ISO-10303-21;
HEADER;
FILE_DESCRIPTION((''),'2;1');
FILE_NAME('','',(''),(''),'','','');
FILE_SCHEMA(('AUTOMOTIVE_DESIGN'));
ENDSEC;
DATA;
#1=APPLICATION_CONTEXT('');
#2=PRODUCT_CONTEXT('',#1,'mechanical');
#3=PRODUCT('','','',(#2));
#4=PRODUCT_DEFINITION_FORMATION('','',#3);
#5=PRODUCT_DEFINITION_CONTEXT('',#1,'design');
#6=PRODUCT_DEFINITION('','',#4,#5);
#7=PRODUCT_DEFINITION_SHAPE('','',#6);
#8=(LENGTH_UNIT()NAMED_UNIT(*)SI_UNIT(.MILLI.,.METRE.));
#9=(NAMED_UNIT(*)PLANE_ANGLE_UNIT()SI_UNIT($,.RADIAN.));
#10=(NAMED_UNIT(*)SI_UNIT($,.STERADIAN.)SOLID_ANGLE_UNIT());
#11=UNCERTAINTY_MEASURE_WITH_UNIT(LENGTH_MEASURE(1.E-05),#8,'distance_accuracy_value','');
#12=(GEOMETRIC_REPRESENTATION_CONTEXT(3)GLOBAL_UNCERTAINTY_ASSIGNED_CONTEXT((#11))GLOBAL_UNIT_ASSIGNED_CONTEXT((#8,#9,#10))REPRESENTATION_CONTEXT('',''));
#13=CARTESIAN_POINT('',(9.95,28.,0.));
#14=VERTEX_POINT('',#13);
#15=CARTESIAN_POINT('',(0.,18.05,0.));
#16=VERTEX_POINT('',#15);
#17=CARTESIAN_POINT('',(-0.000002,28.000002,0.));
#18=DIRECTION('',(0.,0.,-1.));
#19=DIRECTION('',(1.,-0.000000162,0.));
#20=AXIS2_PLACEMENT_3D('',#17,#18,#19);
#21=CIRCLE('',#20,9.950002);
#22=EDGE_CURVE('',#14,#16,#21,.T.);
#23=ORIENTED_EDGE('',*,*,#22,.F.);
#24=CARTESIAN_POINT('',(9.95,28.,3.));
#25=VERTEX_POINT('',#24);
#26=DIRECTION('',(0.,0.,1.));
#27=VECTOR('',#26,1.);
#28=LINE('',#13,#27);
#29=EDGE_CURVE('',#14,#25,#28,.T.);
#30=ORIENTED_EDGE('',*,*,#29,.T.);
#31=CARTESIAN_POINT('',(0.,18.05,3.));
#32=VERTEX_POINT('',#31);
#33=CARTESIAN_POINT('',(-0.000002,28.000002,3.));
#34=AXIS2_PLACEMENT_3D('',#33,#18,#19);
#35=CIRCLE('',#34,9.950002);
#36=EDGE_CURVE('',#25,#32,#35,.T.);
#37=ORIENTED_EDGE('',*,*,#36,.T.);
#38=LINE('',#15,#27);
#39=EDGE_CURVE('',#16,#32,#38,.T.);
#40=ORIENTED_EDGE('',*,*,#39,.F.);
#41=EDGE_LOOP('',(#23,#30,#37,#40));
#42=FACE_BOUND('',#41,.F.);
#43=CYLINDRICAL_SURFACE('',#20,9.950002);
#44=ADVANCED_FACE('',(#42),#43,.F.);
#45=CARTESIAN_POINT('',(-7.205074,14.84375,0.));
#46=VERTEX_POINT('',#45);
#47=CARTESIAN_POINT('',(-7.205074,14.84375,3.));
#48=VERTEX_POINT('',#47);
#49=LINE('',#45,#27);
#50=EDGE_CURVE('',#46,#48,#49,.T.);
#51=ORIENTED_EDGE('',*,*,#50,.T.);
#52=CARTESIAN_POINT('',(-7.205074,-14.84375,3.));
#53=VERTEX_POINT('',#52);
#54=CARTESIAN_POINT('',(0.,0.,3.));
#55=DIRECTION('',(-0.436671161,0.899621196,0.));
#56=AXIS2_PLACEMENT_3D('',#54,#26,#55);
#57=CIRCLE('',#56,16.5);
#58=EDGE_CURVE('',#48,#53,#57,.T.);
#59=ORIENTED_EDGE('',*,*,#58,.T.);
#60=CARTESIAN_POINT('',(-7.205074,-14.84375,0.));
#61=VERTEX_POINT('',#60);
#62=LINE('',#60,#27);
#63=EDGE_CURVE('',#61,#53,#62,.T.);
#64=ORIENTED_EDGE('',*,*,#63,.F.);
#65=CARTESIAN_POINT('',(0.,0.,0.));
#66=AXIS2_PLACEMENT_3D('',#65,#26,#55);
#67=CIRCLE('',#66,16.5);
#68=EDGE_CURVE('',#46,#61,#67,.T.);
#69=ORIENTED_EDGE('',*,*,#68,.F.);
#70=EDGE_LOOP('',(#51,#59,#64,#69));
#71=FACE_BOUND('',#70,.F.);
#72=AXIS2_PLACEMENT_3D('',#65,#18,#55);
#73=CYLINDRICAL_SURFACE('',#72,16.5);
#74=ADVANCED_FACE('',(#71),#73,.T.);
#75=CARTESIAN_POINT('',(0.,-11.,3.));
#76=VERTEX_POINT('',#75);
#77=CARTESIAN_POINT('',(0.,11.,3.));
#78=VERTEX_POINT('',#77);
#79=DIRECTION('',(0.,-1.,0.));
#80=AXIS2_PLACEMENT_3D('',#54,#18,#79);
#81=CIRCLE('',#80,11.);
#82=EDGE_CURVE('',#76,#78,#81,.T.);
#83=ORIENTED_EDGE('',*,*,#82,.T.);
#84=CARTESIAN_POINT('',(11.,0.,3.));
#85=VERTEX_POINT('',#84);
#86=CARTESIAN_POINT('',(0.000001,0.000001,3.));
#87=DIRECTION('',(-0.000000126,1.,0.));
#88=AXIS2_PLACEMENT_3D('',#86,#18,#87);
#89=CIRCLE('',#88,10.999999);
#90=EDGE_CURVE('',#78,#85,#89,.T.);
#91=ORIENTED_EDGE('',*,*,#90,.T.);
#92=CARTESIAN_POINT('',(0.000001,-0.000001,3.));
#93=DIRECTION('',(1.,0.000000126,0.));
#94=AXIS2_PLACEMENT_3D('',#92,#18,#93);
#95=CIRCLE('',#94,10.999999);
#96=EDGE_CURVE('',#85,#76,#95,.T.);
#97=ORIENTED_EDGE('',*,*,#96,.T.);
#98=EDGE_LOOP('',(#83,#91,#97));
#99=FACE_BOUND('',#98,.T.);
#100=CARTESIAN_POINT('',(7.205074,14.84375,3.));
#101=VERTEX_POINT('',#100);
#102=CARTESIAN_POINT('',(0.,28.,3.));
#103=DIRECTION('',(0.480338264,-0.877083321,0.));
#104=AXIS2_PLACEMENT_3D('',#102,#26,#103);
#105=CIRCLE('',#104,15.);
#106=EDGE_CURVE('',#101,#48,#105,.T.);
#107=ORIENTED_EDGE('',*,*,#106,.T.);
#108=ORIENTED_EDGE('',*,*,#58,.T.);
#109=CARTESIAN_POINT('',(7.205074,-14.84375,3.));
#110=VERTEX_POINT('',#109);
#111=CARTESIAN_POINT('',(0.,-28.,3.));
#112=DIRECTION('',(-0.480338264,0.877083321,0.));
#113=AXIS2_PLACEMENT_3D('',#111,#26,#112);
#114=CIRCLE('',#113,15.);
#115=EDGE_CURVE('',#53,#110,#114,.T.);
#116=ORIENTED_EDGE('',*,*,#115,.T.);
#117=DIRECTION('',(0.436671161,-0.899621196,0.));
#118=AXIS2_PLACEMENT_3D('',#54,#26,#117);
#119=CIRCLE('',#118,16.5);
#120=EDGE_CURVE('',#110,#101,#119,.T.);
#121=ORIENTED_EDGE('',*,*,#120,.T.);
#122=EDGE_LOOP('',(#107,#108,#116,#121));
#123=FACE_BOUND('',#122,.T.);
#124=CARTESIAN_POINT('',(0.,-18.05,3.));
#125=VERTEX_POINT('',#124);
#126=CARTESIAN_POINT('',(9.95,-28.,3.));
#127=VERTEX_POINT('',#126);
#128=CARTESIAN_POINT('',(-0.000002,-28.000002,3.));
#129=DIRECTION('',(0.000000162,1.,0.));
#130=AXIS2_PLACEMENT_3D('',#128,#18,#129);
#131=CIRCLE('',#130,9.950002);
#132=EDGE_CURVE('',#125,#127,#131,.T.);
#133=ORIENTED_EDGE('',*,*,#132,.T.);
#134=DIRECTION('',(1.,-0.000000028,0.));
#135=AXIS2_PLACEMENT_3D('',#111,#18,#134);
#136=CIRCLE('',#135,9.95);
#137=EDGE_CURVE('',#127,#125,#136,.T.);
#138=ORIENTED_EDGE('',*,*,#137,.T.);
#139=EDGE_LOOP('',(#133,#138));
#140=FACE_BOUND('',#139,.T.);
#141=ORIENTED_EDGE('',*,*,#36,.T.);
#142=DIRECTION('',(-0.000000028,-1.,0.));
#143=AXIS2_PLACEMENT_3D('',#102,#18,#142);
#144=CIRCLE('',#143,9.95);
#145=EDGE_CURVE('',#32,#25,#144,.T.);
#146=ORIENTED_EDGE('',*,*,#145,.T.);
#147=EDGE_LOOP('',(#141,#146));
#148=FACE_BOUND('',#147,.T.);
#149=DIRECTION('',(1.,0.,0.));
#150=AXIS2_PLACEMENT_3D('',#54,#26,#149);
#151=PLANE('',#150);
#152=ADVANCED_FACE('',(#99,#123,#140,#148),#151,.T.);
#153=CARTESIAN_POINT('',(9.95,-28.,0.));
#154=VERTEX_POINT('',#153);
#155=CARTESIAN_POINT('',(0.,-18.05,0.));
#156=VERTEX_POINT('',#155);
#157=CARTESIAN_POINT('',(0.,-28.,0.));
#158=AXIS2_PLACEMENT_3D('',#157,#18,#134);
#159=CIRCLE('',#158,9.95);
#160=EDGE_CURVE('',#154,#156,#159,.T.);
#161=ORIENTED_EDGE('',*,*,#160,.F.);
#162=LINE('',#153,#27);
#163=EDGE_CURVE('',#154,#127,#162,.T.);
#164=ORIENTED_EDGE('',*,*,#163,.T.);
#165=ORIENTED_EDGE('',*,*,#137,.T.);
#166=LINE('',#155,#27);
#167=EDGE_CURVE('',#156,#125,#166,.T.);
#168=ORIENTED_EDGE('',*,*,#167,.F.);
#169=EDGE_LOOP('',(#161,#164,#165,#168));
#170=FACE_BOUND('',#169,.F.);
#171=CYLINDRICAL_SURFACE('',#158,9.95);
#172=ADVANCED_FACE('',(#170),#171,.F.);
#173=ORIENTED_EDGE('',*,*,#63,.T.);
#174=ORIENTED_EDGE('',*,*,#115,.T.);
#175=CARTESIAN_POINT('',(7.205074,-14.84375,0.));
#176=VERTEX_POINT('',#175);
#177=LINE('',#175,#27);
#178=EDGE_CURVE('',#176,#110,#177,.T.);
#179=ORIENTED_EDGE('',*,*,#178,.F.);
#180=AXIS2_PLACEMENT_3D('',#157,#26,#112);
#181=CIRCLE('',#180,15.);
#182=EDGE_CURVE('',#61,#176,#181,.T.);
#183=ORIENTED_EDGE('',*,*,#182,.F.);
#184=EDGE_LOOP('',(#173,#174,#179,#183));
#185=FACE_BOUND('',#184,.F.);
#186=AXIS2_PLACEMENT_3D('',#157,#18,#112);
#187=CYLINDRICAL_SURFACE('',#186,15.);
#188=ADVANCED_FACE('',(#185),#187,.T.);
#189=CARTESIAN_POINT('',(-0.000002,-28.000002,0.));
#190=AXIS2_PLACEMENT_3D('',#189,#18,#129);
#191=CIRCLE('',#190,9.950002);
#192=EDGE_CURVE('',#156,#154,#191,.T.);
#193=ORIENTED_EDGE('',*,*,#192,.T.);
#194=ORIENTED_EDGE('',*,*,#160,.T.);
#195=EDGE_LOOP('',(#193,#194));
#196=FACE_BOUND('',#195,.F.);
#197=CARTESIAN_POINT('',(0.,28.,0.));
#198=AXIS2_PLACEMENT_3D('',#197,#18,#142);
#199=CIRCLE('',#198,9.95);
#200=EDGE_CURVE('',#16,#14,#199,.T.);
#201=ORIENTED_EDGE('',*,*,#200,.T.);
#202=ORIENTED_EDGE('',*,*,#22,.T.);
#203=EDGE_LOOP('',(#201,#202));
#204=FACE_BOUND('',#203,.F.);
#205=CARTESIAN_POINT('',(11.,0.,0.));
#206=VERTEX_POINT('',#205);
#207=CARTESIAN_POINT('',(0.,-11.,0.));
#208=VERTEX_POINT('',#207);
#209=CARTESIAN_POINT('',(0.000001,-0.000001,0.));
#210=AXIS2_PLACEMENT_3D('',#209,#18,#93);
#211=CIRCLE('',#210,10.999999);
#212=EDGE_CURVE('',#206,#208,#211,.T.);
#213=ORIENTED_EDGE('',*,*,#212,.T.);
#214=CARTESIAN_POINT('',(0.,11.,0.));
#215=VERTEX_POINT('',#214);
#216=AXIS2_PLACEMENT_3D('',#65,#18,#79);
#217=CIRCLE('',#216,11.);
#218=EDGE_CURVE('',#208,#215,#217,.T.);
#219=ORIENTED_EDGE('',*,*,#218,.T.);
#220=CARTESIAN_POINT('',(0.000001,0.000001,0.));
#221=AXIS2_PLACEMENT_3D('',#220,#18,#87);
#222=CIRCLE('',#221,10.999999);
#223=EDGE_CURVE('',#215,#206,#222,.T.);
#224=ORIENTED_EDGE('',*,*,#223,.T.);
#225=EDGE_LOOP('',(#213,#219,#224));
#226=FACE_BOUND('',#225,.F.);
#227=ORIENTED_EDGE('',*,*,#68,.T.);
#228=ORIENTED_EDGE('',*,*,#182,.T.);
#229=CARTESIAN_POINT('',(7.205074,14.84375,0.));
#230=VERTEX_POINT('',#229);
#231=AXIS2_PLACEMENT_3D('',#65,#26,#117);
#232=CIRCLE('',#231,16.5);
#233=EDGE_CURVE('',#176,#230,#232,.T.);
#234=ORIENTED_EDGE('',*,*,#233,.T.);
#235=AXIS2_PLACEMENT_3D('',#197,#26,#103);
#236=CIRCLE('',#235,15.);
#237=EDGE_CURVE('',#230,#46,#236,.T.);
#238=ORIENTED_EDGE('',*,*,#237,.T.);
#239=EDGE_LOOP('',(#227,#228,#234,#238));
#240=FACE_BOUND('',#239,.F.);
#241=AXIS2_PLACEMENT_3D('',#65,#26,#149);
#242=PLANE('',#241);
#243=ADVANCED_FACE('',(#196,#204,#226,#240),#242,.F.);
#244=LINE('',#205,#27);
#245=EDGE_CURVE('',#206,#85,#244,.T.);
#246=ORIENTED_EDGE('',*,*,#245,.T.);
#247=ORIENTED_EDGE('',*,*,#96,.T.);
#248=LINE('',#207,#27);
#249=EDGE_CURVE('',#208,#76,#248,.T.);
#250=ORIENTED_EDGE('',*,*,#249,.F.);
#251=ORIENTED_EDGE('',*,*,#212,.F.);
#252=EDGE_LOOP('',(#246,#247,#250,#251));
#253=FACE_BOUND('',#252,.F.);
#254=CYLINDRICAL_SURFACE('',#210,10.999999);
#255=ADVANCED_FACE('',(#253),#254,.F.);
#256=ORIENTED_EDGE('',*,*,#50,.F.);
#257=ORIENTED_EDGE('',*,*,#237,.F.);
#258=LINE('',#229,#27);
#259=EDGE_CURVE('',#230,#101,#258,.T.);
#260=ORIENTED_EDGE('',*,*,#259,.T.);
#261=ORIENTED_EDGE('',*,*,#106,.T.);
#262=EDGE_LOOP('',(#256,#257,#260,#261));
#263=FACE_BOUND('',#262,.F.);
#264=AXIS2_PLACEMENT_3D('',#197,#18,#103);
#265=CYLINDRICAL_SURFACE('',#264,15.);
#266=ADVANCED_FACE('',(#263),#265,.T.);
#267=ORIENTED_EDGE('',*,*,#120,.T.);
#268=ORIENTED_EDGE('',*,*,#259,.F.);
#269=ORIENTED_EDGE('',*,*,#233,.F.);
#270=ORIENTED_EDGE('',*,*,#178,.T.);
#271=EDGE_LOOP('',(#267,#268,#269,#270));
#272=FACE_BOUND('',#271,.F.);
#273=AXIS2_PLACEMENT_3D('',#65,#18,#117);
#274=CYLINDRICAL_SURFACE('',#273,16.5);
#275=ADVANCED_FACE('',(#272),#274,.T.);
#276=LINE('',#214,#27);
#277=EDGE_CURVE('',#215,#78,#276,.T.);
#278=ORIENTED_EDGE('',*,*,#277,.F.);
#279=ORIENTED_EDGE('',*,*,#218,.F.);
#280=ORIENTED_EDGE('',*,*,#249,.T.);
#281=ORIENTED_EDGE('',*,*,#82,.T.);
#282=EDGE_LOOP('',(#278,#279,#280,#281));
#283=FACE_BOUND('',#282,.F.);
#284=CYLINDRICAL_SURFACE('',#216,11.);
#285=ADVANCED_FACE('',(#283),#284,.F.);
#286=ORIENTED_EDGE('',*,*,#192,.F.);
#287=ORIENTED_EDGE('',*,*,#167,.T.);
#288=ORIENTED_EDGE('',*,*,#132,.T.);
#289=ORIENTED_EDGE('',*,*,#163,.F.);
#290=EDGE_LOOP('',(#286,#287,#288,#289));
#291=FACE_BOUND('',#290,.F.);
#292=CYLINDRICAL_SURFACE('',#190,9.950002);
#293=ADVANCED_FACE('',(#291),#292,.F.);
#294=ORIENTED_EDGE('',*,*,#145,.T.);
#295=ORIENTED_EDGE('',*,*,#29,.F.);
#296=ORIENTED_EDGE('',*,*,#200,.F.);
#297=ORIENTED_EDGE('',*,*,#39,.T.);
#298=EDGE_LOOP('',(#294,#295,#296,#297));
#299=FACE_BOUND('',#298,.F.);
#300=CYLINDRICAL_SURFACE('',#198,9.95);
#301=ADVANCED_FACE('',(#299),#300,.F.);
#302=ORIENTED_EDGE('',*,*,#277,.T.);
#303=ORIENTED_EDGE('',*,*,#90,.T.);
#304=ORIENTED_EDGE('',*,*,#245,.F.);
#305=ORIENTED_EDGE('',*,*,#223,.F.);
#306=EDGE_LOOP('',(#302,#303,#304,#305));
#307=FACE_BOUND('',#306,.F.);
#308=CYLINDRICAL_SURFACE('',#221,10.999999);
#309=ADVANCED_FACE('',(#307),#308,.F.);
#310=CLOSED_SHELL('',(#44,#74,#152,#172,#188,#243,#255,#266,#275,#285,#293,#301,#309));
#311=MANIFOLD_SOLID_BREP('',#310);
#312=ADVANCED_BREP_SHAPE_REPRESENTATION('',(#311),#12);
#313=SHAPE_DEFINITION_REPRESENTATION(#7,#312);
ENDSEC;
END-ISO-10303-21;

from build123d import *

# Parameters (mm, degrees)
F1_DEPTH = 3


with BuildPart() as f1:
    # F0 (on Top) → F1 (new body)
    with BuildSketch(Plane.XY):
        with BuildLine():
            ThreePointArc((7.205074, 14.84375), (0, 43), (-7.205074, 14.84375))
            ThreePointArc((-7.205074, 14.84375), (-16.5, 0), (-7.205074, -14.84375))
            ThreePointArc((-7.205074, -14.84375), (0, -43), (7.205074, -14.84375))
            ThreePointArc((7.205074, -14.84375), (16.5, 0), (7.205074, 14.84375))
        make_face()
        with BuildLine():
            ThreePointArc((9.95, -28), (-7.035712, -35.035712), (0, -18.05))
            ThreePointArc((0, -18.05), (7.035712, -20.964288), (9.95, -28))
        make_face(mode=Mode.SUBTRACT)
        with BuildLine():
            ThreePointArc((0, 11), (7.778175, 7.778175), (11, 0))
            ThreePointArc((11, 0), (7.778175, -7.778175), (0, -11))
            ThreePointArc((0, -11), (-11, 0), (0, 11))
        make_face(mode=Mode.SUBTRACT)
        with BuildLine():
            ThreePointArc((9.95, 28), (7.035712, 20.964288), (0, 18.05))
            ThreePointArc((0, 18.05), (-7.035712, 35.035712), (9.95, 28))
        make_face(mode=Mode.SUBTRACT)
    extrude(amount=F1_DEPTH)


solid = f1.part
